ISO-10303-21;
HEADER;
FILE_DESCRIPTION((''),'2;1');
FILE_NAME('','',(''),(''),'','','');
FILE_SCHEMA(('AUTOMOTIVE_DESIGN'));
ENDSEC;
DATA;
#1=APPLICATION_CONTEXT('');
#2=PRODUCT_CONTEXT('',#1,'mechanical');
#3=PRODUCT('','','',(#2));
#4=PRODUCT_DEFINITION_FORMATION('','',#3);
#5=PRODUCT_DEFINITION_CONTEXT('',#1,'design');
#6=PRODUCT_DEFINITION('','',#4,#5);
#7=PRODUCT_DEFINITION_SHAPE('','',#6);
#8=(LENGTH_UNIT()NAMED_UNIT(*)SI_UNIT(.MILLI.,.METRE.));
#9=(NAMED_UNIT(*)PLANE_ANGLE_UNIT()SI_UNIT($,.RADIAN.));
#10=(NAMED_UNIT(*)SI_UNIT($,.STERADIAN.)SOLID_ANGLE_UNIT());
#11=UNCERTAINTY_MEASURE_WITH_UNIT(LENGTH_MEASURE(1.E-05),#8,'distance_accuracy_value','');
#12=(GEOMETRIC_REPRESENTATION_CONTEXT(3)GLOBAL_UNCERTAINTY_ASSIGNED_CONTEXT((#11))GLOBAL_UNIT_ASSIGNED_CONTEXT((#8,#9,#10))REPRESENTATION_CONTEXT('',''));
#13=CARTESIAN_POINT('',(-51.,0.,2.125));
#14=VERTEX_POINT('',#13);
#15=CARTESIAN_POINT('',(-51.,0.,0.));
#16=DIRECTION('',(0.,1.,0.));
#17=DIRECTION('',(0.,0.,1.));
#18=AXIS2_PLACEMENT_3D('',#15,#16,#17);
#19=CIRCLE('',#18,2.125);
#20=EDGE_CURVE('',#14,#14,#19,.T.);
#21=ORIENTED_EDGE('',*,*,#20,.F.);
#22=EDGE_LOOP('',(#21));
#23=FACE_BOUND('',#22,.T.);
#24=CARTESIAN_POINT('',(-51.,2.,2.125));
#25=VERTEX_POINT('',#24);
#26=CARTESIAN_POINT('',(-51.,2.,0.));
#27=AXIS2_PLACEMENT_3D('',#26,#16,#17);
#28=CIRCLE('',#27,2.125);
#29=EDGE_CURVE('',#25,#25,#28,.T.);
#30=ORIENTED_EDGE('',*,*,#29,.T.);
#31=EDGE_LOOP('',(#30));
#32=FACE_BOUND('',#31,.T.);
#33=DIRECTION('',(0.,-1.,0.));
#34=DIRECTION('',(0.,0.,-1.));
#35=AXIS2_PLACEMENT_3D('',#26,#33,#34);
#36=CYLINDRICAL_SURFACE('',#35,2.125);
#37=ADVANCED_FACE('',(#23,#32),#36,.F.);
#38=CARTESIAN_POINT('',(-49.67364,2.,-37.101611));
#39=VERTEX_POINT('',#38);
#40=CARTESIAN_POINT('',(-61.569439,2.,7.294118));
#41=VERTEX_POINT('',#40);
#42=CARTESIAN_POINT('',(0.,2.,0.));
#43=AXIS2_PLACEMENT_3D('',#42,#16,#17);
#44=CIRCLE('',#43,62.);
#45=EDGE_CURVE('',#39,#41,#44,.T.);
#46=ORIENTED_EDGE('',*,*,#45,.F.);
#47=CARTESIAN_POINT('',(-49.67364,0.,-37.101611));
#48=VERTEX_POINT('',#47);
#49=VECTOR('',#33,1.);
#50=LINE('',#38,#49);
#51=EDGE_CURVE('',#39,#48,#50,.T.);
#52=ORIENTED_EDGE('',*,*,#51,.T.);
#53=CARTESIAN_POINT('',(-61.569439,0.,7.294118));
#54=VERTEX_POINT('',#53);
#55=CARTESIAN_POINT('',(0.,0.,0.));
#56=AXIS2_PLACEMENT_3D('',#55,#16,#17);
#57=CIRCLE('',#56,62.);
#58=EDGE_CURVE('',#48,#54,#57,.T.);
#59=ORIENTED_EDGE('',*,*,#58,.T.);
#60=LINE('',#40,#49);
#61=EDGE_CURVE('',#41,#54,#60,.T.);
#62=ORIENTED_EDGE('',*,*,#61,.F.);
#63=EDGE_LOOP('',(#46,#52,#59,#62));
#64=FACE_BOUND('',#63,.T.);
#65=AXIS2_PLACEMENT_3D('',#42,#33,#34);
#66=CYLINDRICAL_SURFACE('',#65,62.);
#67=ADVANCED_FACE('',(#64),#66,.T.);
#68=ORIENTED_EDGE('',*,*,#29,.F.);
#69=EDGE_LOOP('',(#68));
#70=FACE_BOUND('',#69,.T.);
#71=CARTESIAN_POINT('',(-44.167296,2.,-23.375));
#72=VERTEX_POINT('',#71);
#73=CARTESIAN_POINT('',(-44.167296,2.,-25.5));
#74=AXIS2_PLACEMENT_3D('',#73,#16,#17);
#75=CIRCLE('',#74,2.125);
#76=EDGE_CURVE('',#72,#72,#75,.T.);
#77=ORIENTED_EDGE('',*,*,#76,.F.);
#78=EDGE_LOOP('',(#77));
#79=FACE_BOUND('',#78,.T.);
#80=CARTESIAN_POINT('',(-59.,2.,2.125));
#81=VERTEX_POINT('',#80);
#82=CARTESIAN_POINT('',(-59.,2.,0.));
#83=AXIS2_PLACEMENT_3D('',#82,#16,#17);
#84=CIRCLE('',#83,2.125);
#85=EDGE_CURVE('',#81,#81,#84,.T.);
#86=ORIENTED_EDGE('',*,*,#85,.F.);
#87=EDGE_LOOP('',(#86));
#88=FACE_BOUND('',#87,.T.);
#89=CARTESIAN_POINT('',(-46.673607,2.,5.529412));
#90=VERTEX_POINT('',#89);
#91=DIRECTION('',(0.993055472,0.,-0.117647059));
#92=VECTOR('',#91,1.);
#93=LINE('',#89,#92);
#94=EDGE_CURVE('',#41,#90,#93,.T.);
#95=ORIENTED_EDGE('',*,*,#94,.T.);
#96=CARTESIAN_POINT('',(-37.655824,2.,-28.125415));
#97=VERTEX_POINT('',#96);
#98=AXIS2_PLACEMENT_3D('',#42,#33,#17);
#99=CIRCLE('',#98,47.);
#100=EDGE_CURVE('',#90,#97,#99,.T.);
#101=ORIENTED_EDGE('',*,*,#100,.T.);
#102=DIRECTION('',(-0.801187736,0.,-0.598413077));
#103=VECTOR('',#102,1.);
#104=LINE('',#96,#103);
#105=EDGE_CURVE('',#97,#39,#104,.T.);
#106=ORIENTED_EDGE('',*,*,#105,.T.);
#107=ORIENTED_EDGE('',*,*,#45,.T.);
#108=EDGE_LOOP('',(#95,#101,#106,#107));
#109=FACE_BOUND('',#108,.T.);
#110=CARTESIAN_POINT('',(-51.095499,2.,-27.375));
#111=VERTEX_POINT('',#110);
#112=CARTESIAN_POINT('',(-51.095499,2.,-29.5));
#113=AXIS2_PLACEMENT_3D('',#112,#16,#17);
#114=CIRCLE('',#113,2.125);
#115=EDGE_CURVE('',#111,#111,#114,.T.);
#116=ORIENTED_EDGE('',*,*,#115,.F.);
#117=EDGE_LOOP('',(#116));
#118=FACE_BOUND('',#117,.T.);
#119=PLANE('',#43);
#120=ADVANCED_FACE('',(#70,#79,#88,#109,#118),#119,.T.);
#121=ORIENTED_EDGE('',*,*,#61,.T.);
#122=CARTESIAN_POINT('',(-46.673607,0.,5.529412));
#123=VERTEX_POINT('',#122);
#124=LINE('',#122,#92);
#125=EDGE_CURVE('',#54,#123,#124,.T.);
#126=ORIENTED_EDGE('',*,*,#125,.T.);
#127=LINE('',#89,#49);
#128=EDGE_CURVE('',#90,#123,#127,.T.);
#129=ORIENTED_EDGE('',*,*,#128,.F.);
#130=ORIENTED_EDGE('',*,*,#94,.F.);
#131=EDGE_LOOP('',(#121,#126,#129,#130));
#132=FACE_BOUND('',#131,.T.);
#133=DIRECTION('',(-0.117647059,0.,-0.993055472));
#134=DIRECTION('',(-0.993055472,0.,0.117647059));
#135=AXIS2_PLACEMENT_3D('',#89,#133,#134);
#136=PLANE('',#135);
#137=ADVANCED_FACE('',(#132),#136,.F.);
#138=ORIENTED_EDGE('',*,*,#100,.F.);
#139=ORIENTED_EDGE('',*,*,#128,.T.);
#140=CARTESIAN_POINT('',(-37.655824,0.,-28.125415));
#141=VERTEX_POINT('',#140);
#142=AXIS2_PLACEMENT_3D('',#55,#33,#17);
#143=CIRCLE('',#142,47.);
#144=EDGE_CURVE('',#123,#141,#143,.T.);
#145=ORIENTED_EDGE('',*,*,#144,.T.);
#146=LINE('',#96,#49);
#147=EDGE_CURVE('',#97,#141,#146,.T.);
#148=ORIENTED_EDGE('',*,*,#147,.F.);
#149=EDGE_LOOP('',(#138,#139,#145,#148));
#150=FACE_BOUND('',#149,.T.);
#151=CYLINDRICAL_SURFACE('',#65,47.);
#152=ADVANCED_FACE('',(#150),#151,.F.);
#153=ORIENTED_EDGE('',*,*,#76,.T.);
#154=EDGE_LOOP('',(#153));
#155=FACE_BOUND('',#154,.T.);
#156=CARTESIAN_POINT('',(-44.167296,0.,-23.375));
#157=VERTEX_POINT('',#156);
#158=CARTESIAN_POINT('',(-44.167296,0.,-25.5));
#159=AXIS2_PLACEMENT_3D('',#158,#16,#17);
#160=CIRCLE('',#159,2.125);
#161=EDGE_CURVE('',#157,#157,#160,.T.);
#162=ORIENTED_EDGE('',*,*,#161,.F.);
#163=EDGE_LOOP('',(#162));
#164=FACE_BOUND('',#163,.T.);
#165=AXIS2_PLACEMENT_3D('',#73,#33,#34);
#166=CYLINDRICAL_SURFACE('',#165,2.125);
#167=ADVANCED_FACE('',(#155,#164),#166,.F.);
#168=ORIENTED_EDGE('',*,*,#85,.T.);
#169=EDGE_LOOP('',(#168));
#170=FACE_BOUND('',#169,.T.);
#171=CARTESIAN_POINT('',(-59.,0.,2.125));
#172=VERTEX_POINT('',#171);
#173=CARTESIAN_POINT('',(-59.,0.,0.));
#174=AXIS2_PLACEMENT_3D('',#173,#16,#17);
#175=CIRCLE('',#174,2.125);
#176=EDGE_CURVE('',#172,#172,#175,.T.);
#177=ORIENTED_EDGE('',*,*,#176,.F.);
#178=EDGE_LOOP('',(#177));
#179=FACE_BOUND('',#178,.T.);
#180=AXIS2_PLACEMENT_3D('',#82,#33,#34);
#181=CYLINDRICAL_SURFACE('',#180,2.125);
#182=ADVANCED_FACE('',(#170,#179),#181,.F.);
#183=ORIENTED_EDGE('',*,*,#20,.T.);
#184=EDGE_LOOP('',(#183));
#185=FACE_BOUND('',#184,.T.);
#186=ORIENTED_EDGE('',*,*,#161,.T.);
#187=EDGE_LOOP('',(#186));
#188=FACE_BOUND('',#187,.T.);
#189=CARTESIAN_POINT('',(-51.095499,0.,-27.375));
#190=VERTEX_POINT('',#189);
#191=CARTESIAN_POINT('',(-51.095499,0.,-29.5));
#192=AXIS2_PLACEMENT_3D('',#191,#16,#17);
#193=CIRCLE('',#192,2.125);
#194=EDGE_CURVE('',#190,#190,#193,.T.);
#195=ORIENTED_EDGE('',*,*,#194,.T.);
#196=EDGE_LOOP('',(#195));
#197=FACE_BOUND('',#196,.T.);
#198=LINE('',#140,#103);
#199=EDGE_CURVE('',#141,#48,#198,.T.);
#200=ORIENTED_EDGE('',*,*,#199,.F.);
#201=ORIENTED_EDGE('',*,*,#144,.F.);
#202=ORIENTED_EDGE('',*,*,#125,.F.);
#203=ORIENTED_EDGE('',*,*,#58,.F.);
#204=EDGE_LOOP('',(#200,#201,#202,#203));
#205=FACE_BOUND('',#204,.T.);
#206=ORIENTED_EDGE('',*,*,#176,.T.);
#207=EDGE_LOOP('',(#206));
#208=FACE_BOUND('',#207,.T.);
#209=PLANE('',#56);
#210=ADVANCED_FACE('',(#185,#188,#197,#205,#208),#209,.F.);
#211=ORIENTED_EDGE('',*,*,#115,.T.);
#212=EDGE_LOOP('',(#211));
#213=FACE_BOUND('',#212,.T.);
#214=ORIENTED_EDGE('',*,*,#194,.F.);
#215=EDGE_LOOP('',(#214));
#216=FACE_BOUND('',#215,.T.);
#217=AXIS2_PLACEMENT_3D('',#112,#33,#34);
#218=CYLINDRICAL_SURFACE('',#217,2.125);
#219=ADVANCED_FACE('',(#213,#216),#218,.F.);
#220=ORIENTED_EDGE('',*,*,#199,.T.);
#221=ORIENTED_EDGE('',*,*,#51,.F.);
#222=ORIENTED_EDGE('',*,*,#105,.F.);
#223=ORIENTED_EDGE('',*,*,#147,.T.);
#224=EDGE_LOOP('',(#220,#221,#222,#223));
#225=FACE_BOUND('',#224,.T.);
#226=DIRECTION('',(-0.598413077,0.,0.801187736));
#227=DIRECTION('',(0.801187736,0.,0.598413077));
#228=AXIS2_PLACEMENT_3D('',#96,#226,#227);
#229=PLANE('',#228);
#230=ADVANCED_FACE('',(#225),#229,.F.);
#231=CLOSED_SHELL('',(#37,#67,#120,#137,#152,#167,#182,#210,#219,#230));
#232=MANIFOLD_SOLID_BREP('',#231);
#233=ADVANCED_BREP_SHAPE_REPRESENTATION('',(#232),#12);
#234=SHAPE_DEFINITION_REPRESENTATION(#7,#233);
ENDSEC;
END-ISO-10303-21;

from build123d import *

# Parameters (mm, degrees)
SKETCH1_R           = 2.125
BOSS_EXTRUDE1_DEPTH = 2


with BuildPart() as part:
    # Sketch1 → Boss-Extrude1 (new body)
    with BuildSketch(Plane(origin=(0, 0, 0), x_dir=(1, 0, 0), z_dir=(0, 1, 0))):
        with BuildLine():
            Line((-37.655823606, 28.125414637), (-49.673639651, 37.101610798))
            ThreePointArc((-49.673639651, 37.101610798), (-59.88740123, 16.046780796), (-61.569439235, -7.294117647))
            Line((-61.569439235, -7.294117647), (-46.673607162, -5.529411765))
            ThreePointArc((-46.673607162, -5.529411765), (-45.398513836, 12.16449512), (-37.655823606, 28.125414637))
        make_face()
        with Locations((-44.167295593, 25.5)):
            Circle(SKETCH1_R, mode=Mode.SUBTRACT)
        with Locations((-51.095498823, 29.5)):
            Circle(SKETCH1_R, mode=Mode.SUBTRACT)
        with Locations((-59, 0)):
            Circle(SKETCH1_R, mode=Mode.SUBTRACT)
        with Locations((-51, 0)):
            Circle(SKETCH1_R, mode=Mode.SUBTRACT)
    extrude(amount=BOSS_EXTRUDE1_DEPTH)


solid = part.part
